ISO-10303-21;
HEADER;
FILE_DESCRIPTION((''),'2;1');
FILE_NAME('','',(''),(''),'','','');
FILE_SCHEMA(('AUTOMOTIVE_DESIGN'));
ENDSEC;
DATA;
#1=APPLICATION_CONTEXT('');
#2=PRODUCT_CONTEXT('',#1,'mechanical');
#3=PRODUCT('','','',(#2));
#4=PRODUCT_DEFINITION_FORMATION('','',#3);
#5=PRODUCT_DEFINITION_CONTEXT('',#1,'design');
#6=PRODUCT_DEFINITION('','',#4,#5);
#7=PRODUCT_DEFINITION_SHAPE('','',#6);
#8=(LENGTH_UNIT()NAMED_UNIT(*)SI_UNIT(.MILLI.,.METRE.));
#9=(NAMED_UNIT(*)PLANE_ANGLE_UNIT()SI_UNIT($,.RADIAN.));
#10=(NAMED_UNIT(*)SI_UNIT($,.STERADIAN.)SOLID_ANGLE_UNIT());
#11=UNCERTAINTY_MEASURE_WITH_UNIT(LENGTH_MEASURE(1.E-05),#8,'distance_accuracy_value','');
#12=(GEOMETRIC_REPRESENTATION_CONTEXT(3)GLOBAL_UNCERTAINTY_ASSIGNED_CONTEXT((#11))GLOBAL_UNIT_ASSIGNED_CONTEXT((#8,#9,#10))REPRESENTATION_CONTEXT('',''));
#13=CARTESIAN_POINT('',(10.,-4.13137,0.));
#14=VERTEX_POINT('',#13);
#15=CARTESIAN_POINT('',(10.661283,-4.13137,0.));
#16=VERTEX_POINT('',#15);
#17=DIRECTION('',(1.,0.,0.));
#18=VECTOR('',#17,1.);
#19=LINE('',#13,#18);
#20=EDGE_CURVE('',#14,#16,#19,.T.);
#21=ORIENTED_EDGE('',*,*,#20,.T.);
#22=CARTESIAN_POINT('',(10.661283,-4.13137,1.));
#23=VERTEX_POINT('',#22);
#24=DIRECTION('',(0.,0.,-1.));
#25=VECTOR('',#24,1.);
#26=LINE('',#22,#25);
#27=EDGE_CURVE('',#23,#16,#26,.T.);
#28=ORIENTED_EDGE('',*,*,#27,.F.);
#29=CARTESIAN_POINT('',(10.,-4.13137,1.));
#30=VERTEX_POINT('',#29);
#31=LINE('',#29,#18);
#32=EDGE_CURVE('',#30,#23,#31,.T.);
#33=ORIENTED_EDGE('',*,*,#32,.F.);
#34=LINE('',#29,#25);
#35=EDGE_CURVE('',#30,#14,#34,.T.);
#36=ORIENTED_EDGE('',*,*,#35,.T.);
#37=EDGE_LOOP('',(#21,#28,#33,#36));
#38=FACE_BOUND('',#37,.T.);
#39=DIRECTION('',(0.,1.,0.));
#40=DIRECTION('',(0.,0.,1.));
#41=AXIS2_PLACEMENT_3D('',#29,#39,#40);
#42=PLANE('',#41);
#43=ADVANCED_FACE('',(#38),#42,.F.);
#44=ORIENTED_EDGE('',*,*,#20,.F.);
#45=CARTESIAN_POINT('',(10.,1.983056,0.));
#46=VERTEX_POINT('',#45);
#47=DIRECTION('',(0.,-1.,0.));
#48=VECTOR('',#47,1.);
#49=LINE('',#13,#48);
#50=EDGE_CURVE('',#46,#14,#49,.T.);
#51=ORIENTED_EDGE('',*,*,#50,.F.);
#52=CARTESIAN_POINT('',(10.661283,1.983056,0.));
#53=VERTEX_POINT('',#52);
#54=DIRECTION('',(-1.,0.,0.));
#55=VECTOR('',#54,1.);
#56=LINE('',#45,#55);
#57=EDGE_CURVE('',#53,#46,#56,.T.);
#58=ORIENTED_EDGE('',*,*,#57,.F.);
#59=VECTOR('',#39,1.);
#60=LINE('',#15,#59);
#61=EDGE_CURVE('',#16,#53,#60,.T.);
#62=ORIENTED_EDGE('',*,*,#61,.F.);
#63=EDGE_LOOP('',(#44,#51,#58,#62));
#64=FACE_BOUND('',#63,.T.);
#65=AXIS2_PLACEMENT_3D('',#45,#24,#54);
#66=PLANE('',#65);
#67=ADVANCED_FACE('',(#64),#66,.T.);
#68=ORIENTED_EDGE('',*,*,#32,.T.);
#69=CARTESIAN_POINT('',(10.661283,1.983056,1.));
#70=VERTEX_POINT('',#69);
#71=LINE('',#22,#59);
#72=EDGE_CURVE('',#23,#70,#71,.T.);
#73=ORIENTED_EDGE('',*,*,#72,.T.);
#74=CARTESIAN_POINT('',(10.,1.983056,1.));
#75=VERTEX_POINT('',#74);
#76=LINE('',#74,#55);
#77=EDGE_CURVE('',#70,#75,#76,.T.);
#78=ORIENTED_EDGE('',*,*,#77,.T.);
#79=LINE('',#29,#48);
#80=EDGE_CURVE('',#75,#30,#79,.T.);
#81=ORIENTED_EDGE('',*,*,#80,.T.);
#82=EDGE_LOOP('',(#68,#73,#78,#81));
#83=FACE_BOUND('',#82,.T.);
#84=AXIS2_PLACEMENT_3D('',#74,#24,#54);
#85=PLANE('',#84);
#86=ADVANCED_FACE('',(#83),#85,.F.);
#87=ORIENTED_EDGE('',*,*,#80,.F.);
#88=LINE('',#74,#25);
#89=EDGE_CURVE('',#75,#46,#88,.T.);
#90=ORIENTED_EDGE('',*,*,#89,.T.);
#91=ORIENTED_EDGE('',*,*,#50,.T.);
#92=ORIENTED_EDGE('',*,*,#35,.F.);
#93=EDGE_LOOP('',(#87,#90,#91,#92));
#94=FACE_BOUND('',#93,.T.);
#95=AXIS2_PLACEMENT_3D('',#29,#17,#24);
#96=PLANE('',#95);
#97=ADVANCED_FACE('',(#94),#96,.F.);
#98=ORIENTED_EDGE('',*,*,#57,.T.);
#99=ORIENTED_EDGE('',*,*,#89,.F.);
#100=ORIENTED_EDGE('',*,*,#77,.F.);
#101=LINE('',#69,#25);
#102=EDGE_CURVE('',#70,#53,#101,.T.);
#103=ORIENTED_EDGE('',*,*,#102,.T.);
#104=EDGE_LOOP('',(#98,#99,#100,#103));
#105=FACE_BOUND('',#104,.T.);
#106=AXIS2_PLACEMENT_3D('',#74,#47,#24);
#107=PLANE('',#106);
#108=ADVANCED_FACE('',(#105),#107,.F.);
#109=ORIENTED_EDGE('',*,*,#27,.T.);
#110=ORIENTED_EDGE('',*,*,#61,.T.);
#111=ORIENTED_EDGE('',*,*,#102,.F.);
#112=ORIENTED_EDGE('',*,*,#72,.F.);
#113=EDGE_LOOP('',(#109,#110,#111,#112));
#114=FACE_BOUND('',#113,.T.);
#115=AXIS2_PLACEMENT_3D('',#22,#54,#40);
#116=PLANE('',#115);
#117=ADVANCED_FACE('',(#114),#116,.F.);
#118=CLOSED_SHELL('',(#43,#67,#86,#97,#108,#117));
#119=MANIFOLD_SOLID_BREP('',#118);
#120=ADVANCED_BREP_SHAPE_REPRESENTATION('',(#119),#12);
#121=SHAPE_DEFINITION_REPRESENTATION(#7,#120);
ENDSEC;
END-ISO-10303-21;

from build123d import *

# Parameters (mm, degrees)
SKETCH3_W      = 0.6612828
SKETCH3_H      = 6.114425774
EXTRUDE1_DEPTH = 1


with BuildPart() as part:
    # Sketch3 → Extrude1 (new body)
    with BuildSketch(Plane.XY):
        with Locations((10.3306414, -1.074157331)):
            Rectangle(SKETCH3_W, SKETCH3_H)
    extrude(amount=EXTRUDE1_DEPTH)


solid = part.part
